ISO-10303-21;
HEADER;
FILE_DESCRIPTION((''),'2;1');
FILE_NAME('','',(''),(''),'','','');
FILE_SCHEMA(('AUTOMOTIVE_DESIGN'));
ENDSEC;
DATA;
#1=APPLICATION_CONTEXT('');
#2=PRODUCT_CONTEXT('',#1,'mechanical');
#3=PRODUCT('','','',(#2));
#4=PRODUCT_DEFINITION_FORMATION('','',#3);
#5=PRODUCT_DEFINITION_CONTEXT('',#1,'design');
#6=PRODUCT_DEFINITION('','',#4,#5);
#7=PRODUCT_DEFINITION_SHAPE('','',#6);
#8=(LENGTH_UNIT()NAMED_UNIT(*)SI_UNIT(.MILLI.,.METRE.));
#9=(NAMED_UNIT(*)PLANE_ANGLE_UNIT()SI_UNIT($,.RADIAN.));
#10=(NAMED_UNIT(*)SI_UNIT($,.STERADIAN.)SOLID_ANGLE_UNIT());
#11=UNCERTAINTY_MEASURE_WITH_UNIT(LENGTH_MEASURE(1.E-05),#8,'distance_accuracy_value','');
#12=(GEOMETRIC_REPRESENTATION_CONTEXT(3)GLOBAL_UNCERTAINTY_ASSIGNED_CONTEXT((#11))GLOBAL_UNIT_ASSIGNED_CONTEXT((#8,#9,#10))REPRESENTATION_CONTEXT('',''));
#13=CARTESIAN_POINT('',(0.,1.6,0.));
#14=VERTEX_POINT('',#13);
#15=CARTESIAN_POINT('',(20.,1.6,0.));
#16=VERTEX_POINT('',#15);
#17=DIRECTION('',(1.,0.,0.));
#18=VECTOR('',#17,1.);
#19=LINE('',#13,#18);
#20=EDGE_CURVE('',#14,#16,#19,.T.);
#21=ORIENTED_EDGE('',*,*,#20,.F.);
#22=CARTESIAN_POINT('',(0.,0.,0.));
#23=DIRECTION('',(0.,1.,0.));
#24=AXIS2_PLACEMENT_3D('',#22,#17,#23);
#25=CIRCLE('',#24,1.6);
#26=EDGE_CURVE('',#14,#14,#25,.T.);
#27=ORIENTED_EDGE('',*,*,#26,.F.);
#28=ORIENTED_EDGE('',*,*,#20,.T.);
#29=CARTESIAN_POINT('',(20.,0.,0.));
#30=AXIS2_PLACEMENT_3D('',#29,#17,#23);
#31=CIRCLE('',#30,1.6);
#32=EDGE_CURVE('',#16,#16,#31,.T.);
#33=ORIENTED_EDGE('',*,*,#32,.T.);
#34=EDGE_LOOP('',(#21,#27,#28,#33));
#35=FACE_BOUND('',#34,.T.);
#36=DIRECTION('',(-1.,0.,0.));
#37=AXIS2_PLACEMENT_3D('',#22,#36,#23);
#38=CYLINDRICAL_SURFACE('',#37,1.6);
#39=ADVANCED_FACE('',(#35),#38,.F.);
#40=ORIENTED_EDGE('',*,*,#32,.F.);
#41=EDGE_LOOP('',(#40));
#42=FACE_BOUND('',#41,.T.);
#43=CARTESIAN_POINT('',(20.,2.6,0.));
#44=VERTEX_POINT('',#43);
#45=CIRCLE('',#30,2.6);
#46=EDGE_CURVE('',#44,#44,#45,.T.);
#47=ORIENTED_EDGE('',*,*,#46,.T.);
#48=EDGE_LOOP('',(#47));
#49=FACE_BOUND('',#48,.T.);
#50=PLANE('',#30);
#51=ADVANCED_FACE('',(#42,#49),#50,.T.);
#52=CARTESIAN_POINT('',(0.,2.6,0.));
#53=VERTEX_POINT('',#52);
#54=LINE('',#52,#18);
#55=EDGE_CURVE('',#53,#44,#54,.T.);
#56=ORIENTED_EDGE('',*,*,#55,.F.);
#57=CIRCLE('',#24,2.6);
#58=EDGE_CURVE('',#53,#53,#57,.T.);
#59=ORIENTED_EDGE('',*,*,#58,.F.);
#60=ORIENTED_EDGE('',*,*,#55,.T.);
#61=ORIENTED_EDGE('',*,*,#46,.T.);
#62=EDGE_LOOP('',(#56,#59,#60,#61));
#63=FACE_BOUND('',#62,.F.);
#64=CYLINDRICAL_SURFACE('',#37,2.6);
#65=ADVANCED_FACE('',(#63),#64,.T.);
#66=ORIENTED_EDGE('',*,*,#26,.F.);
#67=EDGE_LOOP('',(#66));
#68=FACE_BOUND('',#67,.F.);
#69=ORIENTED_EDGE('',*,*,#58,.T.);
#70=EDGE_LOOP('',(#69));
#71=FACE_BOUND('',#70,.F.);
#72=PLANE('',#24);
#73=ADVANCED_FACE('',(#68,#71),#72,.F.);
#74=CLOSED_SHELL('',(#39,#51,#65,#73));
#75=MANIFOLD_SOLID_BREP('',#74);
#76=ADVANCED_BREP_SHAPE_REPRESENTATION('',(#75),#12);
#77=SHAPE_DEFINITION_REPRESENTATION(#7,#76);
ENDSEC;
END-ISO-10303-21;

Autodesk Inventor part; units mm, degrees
ref_plane "YZ Plane" through (0, 0, 0) normal (1, 0, 0) x (0, 1, 0)
ref_plane "XZ Plane" through (0, 0, 0) normal (0, 1, 0) x (-1, 0, 0)
ref_plane "XY Plane" through (0, 0, 0) normal (0, 0, 1) x (1, 0, 0)
sketch "Sketch1" plane through (0, 0, 0) normal (1, 0, 0) x (0, 1, 0)
  circle A0 centre (0, 0) radius 1.6
  circle A1 centre (0, 0) radius 2.6
  dimension "d0" = 3.2
  dimension "d1" = 5.2
extrude "Extrusion1" add sketch "Sketch1" along normal blind 20
properties part number "Heat Pipe Coupler" material "Copper"
